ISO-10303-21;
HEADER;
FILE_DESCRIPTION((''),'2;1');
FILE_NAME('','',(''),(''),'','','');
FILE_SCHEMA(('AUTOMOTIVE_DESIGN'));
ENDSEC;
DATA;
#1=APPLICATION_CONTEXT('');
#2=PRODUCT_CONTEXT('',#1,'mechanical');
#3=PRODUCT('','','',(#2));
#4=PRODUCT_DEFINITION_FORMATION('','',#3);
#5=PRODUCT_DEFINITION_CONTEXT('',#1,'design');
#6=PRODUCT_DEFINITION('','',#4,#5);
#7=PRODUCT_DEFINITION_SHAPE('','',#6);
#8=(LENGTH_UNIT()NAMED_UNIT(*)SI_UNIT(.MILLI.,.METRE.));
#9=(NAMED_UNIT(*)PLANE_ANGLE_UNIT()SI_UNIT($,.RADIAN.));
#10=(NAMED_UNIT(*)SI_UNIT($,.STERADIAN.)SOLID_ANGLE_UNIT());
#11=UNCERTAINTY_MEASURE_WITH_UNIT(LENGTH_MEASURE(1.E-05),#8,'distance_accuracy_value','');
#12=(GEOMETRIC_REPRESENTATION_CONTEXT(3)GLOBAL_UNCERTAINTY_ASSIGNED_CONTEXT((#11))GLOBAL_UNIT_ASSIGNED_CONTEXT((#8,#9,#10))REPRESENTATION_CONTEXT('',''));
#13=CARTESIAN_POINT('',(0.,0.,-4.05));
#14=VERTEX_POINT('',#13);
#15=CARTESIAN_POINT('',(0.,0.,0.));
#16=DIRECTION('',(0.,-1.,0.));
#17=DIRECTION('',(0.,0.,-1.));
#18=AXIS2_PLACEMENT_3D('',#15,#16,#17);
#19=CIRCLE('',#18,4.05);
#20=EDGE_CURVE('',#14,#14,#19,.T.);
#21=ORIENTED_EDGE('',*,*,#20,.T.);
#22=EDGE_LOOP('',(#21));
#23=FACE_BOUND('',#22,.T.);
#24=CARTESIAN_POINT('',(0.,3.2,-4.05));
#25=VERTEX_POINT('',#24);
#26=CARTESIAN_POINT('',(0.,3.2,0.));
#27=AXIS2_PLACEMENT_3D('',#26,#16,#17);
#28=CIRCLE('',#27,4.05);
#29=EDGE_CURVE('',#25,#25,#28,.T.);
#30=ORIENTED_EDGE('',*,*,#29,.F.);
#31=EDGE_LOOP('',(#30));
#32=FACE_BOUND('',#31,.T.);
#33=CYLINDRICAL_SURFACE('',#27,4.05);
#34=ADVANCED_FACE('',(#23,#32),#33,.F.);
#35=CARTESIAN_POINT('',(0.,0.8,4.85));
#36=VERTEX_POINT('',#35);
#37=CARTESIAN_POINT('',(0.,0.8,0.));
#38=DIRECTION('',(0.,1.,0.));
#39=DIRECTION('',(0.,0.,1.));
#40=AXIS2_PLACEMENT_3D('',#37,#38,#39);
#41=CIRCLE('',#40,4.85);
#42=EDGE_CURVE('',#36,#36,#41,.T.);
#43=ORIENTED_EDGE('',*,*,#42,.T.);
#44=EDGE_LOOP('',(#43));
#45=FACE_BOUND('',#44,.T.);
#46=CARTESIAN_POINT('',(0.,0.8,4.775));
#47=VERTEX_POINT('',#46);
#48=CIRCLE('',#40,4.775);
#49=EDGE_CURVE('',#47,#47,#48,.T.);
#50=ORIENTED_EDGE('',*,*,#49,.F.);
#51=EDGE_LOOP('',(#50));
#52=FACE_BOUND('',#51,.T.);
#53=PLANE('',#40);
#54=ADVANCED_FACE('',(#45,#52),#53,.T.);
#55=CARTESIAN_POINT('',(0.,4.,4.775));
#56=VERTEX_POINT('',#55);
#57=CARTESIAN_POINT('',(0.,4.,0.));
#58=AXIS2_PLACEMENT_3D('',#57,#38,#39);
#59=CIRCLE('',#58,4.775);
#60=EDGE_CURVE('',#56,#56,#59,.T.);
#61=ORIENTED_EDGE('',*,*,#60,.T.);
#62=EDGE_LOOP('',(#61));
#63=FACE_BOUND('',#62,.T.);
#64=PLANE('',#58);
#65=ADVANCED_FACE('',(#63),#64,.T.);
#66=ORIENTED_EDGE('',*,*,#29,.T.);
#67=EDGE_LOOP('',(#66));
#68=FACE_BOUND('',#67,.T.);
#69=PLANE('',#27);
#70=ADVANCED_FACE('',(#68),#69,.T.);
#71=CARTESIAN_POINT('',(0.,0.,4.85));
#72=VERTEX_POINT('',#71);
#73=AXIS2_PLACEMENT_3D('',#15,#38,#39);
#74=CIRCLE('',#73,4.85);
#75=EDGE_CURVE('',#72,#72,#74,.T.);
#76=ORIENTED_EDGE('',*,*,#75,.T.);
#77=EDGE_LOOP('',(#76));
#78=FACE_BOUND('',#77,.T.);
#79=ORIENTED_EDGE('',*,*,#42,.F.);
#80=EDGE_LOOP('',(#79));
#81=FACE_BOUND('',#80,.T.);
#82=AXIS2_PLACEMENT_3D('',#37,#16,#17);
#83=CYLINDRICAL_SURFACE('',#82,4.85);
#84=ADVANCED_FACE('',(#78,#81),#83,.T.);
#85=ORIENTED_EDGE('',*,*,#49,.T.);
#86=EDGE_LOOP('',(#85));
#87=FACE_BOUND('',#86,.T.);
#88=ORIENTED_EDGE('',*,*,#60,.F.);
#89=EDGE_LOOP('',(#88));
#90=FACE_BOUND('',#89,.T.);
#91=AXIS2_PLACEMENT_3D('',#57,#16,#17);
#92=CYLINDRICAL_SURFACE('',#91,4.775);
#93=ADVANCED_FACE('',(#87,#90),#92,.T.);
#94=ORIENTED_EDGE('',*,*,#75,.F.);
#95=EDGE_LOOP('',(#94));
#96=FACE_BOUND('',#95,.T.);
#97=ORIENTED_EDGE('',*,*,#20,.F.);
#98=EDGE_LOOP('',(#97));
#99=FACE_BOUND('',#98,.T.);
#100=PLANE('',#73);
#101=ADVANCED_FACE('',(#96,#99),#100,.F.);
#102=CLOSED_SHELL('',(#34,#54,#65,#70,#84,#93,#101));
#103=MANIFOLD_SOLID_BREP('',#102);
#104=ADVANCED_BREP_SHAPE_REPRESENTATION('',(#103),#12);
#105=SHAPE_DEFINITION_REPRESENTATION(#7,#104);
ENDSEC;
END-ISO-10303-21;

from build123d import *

# Parameters (mm, degrees)
SKETCH1_R           = 4.85
BOSS_EXTRUDE1_DEPTH = 0.8
SKETCH2_R           = 4.775
BOSS_EXTRUDE2_DEPTH = 3.2
SKETCH3_R           = 4.05
CUT_EXTRUDE1_DEPTH  = 3.2


with BuildPart() as part:
    # Sketch1 → Boss-Extrude1 (new body)
    with BuildSketch(Plane(origin=(0, 0, 0), x_dir=(1, 0, 0), z_dir=(0, 1, 0))):
        Circle(SKETCH1_R)
    extrude(amount=BOSS_EXTRUDE1_DEPTH)

    # Sketch2 → Boss-Extrude2 (add)
    with BuildSketch(Plane(origin=(0, 0.8, 0), x_dir=(1, 0, 0), z_dir=(0, 1, 0))):
        Circle(SKETCH2_R)
    extrude(amount=BOSS_EXTRUDE2_DEPTH)

    # Sketch3 → Cut-Extrude1 (cut)
    with BuildSketch(Plane(origin=(0, 0, 0), x_dir=(-1, 0, 0), z_dir=(0, -1, 0))):
        Circle(SKETCH3_R)
    extrude(amount=-CUT_EXTRUDE1_DEPTH, mode=Mode.SUBTRACT)


solid = part.part
